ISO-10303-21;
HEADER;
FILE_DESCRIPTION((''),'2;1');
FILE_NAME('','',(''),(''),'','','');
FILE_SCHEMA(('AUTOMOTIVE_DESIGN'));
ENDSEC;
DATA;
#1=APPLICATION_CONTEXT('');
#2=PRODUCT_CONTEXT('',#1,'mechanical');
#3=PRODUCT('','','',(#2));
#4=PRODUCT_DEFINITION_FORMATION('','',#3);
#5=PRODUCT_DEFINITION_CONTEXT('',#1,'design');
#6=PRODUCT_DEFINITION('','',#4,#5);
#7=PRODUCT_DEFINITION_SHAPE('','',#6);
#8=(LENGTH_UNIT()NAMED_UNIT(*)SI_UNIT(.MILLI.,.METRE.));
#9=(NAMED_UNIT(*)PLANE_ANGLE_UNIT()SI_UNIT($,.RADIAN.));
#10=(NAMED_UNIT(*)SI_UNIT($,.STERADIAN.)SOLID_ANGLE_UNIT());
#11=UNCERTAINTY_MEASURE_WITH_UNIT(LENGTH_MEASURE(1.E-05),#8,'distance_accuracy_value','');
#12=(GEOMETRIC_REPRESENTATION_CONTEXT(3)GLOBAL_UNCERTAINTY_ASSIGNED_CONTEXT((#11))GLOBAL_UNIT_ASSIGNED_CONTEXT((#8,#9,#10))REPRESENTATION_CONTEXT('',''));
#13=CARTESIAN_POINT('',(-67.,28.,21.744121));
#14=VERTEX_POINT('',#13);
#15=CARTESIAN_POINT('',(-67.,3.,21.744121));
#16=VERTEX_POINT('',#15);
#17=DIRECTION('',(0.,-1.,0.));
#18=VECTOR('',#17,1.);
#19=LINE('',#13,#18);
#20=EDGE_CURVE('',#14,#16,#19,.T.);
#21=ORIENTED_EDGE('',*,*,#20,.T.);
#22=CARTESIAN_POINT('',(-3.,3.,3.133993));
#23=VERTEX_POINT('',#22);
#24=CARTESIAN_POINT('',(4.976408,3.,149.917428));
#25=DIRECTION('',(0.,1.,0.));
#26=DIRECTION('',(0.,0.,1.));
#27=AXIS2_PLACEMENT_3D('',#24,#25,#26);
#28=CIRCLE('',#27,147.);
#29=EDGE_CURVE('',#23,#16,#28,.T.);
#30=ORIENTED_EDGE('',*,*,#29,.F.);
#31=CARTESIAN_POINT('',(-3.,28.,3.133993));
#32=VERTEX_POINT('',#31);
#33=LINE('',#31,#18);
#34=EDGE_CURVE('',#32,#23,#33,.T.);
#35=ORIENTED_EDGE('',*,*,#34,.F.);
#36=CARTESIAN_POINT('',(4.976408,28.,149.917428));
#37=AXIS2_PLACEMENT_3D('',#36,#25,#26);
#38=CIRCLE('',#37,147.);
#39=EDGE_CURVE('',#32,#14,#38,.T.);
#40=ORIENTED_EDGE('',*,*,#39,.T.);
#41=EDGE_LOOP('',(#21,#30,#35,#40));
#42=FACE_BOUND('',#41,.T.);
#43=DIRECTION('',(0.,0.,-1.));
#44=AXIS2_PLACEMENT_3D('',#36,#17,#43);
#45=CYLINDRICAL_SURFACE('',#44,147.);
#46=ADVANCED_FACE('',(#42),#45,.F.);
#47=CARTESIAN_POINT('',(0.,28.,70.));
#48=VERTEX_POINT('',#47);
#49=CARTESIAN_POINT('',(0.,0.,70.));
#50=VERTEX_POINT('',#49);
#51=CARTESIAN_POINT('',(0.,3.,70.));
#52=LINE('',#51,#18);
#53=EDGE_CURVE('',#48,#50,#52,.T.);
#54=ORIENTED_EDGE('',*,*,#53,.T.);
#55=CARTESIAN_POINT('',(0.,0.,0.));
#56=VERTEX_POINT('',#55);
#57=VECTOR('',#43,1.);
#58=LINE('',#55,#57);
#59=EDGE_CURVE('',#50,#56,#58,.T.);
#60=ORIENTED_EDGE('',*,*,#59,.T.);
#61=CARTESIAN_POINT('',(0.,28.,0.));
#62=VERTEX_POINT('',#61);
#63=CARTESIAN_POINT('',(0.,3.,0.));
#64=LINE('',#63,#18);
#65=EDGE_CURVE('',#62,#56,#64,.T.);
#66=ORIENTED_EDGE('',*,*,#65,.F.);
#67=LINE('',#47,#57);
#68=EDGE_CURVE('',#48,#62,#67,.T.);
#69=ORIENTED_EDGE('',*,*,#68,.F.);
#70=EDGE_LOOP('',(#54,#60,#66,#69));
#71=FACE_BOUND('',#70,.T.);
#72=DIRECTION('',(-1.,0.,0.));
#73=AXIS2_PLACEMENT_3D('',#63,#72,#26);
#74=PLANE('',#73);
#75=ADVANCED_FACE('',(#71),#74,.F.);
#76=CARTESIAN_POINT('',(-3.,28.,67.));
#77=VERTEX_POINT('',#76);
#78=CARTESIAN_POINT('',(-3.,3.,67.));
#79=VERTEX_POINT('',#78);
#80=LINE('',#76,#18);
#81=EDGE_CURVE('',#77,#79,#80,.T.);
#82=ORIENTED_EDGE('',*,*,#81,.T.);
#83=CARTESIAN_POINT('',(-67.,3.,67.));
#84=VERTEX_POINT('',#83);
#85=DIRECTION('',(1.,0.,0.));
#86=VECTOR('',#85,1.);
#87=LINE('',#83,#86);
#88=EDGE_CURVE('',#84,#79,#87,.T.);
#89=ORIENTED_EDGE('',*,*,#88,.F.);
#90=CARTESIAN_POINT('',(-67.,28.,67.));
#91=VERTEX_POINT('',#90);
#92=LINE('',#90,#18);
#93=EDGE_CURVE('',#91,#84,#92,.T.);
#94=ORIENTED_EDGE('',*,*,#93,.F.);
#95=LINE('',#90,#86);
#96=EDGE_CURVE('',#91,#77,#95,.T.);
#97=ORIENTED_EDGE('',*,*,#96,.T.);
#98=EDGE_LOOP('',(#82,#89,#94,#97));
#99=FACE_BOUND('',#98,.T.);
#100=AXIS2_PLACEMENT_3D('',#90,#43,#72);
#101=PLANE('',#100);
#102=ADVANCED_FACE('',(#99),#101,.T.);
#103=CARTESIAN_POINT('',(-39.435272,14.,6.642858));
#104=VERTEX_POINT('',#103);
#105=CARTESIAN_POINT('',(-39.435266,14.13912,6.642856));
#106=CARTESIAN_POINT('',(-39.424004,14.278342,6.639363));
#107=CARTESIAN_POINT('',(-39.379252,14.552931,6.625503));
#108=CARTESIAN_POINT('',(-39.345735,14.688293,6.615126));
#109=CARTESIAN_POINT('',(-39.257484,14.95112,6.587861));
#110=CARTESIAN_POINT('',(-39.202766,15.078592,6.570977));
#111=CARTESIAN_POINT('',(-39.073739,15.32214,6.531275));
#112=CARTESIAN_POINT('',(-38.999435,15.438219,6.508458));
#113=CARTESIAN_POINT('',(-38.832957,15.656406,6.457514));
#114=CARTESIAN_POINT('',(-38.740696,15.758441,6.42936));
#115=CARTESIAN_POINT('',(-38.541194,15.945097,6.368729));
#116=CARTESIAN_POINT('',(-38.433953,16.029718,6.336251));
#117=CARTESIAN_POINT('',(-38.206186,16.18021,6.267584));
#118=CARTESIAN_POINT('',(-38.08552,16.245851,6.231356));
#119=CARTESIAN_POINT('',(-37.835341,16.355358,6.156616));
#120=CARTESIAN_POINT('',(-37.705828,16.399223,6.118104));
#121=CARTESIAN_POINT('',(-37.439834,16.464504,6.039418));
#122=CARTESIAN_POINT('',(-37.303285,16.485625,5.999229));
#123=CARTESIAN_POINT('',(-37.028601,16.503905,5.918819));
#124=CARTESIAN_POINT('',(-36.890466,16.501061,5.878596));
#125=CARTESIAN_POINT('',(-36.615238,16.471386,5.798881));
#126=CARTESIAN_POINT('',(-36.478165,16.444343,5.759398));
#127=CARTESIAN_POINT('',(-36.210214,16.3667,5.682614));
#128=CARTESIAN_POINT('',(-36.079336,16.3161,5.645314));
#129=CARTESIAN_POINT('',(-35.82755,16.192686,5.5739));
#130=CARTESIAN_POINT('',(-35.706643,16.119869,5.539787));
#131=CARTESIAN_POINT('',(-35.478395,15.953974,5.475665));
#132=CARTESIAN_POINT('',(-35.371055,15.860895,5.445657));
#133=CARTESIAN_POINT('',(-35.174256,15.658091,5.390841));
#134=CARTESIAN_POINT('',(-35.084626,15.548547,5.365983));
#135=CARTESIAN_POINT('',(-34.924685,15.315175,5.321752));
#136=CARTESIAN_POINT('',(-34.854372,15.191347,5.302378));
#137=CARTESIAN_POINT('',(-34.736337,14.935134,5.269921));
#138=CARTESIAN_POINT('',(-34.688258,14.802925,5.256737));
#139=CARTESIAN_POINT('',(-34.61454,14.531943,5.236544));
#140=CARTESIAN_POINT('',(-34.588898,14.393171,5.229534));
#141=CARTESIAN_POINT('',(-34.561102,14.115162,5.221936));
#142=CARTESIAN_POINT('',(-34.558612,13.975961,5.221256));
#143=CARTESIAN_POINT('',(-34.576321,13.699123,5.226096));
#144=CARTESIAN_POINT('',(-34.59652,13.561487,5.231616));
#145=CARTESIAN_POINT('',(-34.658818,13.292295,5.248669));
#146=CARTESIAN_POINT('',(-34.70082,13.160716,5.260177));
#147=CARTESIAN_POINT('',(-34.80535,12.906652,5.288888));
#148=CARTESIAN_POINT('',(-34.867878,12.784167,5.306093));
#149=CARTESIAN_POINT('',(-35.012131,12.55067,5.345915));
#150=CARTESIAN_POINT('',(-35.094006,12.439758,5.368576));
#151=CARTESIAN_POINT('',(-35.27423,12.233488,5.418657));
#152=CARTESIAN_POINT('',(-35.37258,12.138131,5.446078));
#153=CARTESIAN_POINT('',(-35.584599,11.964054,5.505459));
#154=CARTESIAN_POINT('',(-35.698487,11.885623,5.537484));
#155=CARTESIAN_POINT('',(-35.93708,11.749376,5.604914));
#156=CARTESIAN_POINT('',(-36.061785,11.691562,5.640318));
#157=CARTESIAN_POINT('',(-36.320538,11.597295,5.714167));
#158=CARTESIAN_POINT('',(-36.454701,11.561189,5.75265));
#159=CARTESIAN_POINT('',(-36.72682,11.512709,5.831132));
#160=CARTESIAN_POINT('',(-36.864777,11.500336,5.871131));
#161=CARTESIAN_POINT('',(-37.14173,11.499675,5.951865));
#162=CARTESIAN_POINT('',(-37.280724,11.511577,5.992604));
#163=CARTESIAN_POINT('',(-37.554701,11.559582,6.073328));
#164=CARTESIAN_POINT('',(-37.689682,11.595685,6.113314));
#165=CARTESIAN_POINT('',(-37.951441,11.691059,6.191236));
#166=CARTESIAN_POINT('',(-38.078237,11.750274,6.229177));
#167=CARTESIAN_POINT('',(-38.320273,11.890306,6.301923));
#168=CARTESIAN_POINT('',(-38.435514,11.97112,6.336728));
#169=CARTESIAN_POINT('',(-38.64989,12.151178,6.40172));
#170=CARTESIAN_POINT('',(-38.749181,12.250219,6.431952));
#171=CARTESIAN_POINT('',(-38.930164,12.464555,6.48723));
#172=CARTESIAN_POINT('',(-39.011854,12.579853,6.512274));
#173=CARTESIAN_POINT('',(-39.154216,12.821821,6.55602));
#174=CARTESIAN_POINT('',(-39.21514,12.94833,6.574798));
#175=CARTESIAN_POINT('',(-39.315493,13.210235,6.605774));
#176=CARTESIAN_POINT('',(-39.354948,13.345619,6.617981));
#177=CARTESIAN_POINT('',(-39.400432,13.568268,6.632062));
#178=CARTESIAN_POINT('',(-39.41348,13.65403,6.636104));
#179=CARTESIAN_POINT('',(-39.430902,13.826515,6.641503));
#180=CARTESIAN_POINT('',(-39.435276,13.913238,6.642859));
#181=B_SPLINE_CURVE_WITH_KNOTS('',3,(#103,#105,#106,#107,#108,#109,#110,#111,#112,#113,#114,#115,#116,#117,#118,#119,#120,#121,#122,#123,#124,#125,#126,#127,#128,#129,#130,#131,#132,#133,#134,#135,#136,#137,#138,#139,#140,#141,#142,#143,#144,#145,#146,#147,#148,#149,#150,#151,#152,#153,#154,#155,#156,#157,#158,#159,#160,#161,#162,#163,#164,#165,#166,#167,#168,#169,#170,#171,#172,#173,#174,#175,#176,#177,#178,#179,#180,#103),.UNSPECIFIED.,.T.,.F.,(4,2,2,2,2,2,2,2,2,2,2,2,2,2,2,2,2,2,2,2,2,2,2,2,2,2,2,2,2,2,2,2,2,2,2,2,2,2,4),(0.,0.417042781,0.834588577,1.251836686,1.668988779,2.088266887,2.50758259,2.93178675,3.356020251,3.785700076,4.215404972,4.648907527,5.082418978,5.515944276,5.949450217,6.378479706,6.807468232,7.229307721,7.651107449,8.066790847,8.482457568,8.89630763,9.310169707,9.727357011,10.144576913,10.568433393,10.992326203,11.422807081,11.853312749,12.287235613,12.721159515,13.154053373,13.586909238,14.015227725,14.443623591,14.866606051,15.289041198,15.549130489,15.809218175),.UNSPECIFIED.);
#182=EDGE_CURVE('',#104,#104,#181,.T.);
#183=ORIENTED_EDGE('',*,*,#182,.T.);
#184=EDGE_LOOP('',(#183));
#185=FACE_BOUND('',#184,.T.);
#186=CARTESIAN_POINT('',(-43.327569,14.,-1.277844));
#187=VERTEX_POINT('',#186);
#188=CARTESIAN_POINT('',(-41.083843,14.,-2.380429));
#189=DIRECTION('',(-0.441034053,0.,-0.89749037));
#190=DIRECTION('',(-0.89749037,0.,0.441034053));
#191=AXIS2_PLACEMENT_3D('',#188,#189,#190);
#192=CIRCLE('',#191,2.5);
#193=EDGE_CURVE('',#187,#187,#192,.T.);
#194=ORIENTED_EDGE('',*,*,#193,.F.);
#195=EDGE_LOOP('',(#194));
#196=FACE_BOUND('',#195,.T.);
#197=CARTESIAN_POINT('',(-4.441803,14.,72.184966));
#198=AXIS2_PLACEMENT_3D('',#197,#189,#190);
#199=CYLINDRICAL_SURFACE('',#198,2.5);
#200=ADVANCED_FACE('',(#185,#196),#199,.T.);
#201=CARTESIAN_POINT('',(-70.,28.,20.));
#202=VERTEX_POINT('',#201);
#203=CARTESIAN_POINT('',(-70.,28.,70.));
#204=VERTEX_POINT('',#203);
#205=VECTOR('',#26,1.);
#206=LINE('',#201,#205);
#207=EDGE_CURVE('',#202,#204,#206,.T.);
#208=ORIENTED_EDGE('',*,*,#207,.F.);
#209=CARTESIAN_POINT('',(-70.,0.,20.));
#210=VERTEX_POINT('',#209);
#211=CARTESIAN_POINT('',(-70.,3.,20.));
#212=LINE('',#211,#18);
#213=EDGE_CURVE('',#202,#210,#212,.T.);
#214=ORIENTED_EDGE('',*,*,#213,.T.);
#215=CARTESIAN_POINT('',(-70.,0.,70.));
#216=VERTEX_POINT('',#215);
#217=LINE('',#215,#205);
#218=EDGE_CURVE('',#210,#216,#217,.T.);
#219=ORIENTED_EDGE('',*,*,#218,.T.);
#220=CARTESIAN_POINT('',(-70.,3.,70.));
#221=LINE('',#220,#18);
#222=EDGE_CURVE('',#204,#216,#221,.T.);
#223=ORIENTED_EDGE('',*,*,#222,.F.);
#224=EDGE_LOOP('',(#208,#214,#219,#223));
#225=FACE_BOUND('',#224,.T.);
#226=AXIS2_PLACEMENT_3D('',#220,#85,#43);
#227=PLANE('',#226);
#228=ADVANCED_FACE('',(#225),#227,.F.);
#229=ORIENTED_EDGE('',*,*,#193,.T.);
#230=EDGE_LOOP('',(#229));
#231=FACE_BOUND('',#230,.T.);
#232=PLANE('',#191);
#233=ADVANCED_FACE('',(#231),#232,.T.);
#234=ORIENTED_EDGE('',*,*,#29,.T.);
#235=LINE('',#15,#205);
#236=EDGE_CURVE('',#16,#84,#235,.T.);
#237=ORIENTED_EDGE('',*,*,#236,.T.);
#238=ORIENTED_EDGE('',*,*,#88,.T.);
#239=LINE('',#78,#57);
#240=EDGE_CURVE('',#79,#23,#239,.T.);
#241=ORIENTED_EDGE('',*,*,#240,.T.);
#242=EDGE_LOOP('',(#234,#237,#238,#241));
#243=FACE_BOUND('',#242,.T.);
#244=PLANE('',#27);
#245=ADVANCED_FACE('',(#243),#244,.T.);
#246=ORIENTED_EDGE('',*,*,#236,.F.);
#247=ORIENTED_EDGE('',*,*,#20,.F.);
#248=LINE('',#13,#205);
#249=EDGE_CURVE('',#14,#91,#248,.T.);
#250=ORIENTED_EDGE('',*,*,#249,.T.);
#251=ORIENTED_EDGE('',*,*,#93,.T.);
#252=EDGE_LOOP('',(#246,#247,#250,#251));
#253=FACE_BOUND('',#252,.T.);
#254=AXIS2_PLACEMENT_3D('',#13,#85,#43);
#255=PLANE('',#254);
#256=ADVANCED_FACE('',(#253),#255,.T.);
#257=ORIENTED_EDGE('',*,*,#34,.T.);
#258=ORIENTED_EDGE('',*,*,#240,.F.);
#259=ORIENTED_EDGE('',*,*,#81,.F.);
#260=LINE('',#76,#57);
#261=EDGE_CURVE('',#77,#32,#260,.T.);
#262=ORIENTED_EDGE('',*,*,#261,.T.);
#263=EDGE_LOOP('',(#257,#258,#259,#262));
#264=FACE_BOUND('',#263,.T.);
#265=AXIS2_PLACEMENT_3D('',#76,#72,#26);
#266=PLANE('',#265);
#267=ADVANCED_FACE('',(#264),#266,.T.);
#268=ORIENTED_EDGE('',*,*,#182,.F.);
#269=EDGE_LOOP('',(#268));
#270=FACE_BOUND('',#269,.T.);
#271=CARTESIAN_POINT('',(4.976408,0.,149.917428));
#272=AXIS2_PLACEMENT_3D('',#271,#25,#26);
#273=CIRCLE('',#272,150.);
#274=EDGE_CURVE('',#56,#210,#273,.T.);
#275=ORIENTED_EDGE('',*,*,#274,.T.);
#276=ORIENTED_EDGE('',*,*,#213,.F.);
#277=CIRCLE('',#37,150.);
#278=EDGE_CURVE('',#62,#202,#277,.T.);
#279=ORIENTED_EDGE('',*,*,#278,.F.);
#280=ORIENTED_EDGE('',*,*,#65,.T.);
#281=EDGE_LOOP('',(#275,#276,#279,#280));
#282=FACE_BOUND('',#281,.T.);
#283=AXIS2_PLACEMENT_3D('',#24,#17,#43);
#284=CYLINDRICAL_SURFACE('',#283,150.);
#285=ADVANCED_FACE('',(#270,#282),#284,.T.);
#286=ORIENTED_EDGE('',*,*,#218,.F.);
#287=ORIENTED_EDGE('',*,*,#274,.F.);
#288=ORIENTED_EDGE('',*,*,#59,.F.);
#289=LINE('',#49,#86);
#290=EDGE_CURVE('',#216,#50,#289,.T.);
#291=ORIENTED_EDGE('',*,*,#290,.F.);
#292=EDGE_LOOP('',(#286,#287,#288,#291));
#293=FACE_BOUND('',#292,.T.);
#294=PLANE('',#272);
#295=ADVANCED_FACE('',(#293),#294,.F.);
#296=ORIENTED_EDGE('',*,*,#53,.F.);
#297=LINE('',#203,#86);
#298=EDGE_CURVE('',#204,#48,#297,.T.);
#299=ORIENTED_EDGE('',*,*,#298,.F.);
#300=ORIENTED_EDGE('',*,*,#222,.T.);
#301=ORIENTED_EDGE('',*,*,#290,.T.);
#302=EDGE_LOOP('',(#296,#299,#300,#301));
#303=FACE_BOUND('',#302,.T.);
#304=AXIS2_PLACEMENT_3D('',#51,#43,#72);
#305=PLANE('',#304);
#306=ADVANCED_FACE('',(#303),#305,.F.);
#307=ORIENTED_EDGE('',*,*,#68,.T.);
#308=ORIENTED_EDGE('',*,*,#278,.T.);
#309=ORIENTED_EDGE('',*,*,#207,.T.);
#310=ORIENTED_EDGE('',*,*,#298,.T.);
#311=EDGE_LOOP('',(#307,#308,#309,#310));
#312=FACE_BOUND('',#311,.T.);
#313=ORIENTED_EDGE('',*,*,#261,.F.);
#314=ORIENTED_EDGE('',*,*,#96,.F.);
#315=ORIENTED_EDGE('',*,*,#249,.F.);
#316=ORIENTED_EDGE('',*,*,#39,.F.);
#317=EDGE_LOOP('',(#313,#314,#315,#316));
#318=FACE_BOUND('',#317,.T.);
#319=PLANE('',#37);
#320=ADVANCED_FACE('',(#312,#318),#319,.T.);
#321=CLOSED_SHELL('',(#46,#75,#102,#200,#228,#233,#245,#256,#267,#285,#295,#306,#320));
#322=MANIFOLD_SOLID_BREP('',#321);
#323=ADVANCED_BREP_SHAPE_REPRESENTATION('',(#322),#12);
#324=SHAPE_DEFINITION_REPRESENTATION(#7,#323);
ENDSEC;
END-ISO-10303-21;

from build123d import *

# Parameters (mm, degrees)
BOSS_EXTRUDE1_DEPTH             = 3
BOSS_EXTRUDE2_DEPTH             = 25
SKETCH4_R                       = 2.5
BOSS_EXTRUDE3_DEPTH             = 7
BOSS_EXTRUDE3_DIRECTION_2_REACH = 85.256


with BuildPart() as part:
    # Sketch1 → Boss-Extrude1 (new body)
    with BuildSketch(Plane(origin=(0, 0, 0), x_dir=(1, 0, 0), z_dir=(0, 1, 0))):
        with BuildLine():
            Line((0, 0), (0, -70))
            Line((0, -70), (-70, -70))
            Line((-70, -70), (-70, -20))
            ThreePointArc((-70, -20), (-36.231761047, -5.688836334), (0, 0))
        make_face()
    extrude(amount=BOSS_EXTRUDE1_DEPTH)

    # Sketch2 → Boss-Extrude2 (add)
    with BuildSketch(Plane(origin=(0, 3, 0), x_dir=(1, 0, 0), z_dir=(0, 1, 0))):
        with BuildLine():
            Line((-70, -70), (0, -70))
            Line((0, -70), (0, 0))
            ThreePointArc((0, 0), (-36.231761047, -5.688836334), (-70, -20))
            Line((-70, -20), (-70, -70))
        make_face()
        with BuildLine():
            Line((-67, -21.744121307), (-67, -67))
            Line((-67, -67), (-3, -67))
            Line((-3, -67), (-3, -3.133993062))
            ThreePointArc((-3, -3.133993062), (-36.068657655, -8.763956776), (-67, -21.744121307))
        make_face(mode=Mode.SUBTRACT)
    extrude(amount=BOSS_EXTRUDE2_DEPTH)

    # Sketch4 → Boss-Extrude3 (add)
    with BuildSketch(Plane(origin=(-61.178699811, 14, 15.293872991), x_dir=(-0.8974903699241336, 0, 0.4410340529862088), z_dir=(-0.4410340529862088, 0, -0.8974903699241336))):
        with Locations((-25.829909239, 0)):
            Circle(SKETCH4_R)
    extrude(amount=BOSS_EXTRUDE3_DEPTH)

    # Sketch4 → Boss-Extrude3 direction 2 (add, up to next)
    with BuildSketch(Plane(origin=(-61.178699811, 14, 15.293872991), x_dir=(-0.8974903699241336, 0, 0.4410340529862088), z_dir=(-0.4410340529862088, 0, -0.8974903699241336)), mode=Mode.PRIVATE) as boss_extrude3_direction_2_sk1:
        with Locations((-25.829909239, 0)):
            Circle(SKETCH4_R)
    boss_extrude3_direction_2_tool1 = extrude(boss_extrude3_direction_2_sk1.sketch, amount=-BOSS_EXTRUDE3_DIRECTION_2_REACH, mode=Mode.PRIVATE) - part.part
    add(boss_extrude3_direction_2_tool1.solids().sort_by_distance((-37.996605, 14, 3.902003))[0])


solid = part.part
